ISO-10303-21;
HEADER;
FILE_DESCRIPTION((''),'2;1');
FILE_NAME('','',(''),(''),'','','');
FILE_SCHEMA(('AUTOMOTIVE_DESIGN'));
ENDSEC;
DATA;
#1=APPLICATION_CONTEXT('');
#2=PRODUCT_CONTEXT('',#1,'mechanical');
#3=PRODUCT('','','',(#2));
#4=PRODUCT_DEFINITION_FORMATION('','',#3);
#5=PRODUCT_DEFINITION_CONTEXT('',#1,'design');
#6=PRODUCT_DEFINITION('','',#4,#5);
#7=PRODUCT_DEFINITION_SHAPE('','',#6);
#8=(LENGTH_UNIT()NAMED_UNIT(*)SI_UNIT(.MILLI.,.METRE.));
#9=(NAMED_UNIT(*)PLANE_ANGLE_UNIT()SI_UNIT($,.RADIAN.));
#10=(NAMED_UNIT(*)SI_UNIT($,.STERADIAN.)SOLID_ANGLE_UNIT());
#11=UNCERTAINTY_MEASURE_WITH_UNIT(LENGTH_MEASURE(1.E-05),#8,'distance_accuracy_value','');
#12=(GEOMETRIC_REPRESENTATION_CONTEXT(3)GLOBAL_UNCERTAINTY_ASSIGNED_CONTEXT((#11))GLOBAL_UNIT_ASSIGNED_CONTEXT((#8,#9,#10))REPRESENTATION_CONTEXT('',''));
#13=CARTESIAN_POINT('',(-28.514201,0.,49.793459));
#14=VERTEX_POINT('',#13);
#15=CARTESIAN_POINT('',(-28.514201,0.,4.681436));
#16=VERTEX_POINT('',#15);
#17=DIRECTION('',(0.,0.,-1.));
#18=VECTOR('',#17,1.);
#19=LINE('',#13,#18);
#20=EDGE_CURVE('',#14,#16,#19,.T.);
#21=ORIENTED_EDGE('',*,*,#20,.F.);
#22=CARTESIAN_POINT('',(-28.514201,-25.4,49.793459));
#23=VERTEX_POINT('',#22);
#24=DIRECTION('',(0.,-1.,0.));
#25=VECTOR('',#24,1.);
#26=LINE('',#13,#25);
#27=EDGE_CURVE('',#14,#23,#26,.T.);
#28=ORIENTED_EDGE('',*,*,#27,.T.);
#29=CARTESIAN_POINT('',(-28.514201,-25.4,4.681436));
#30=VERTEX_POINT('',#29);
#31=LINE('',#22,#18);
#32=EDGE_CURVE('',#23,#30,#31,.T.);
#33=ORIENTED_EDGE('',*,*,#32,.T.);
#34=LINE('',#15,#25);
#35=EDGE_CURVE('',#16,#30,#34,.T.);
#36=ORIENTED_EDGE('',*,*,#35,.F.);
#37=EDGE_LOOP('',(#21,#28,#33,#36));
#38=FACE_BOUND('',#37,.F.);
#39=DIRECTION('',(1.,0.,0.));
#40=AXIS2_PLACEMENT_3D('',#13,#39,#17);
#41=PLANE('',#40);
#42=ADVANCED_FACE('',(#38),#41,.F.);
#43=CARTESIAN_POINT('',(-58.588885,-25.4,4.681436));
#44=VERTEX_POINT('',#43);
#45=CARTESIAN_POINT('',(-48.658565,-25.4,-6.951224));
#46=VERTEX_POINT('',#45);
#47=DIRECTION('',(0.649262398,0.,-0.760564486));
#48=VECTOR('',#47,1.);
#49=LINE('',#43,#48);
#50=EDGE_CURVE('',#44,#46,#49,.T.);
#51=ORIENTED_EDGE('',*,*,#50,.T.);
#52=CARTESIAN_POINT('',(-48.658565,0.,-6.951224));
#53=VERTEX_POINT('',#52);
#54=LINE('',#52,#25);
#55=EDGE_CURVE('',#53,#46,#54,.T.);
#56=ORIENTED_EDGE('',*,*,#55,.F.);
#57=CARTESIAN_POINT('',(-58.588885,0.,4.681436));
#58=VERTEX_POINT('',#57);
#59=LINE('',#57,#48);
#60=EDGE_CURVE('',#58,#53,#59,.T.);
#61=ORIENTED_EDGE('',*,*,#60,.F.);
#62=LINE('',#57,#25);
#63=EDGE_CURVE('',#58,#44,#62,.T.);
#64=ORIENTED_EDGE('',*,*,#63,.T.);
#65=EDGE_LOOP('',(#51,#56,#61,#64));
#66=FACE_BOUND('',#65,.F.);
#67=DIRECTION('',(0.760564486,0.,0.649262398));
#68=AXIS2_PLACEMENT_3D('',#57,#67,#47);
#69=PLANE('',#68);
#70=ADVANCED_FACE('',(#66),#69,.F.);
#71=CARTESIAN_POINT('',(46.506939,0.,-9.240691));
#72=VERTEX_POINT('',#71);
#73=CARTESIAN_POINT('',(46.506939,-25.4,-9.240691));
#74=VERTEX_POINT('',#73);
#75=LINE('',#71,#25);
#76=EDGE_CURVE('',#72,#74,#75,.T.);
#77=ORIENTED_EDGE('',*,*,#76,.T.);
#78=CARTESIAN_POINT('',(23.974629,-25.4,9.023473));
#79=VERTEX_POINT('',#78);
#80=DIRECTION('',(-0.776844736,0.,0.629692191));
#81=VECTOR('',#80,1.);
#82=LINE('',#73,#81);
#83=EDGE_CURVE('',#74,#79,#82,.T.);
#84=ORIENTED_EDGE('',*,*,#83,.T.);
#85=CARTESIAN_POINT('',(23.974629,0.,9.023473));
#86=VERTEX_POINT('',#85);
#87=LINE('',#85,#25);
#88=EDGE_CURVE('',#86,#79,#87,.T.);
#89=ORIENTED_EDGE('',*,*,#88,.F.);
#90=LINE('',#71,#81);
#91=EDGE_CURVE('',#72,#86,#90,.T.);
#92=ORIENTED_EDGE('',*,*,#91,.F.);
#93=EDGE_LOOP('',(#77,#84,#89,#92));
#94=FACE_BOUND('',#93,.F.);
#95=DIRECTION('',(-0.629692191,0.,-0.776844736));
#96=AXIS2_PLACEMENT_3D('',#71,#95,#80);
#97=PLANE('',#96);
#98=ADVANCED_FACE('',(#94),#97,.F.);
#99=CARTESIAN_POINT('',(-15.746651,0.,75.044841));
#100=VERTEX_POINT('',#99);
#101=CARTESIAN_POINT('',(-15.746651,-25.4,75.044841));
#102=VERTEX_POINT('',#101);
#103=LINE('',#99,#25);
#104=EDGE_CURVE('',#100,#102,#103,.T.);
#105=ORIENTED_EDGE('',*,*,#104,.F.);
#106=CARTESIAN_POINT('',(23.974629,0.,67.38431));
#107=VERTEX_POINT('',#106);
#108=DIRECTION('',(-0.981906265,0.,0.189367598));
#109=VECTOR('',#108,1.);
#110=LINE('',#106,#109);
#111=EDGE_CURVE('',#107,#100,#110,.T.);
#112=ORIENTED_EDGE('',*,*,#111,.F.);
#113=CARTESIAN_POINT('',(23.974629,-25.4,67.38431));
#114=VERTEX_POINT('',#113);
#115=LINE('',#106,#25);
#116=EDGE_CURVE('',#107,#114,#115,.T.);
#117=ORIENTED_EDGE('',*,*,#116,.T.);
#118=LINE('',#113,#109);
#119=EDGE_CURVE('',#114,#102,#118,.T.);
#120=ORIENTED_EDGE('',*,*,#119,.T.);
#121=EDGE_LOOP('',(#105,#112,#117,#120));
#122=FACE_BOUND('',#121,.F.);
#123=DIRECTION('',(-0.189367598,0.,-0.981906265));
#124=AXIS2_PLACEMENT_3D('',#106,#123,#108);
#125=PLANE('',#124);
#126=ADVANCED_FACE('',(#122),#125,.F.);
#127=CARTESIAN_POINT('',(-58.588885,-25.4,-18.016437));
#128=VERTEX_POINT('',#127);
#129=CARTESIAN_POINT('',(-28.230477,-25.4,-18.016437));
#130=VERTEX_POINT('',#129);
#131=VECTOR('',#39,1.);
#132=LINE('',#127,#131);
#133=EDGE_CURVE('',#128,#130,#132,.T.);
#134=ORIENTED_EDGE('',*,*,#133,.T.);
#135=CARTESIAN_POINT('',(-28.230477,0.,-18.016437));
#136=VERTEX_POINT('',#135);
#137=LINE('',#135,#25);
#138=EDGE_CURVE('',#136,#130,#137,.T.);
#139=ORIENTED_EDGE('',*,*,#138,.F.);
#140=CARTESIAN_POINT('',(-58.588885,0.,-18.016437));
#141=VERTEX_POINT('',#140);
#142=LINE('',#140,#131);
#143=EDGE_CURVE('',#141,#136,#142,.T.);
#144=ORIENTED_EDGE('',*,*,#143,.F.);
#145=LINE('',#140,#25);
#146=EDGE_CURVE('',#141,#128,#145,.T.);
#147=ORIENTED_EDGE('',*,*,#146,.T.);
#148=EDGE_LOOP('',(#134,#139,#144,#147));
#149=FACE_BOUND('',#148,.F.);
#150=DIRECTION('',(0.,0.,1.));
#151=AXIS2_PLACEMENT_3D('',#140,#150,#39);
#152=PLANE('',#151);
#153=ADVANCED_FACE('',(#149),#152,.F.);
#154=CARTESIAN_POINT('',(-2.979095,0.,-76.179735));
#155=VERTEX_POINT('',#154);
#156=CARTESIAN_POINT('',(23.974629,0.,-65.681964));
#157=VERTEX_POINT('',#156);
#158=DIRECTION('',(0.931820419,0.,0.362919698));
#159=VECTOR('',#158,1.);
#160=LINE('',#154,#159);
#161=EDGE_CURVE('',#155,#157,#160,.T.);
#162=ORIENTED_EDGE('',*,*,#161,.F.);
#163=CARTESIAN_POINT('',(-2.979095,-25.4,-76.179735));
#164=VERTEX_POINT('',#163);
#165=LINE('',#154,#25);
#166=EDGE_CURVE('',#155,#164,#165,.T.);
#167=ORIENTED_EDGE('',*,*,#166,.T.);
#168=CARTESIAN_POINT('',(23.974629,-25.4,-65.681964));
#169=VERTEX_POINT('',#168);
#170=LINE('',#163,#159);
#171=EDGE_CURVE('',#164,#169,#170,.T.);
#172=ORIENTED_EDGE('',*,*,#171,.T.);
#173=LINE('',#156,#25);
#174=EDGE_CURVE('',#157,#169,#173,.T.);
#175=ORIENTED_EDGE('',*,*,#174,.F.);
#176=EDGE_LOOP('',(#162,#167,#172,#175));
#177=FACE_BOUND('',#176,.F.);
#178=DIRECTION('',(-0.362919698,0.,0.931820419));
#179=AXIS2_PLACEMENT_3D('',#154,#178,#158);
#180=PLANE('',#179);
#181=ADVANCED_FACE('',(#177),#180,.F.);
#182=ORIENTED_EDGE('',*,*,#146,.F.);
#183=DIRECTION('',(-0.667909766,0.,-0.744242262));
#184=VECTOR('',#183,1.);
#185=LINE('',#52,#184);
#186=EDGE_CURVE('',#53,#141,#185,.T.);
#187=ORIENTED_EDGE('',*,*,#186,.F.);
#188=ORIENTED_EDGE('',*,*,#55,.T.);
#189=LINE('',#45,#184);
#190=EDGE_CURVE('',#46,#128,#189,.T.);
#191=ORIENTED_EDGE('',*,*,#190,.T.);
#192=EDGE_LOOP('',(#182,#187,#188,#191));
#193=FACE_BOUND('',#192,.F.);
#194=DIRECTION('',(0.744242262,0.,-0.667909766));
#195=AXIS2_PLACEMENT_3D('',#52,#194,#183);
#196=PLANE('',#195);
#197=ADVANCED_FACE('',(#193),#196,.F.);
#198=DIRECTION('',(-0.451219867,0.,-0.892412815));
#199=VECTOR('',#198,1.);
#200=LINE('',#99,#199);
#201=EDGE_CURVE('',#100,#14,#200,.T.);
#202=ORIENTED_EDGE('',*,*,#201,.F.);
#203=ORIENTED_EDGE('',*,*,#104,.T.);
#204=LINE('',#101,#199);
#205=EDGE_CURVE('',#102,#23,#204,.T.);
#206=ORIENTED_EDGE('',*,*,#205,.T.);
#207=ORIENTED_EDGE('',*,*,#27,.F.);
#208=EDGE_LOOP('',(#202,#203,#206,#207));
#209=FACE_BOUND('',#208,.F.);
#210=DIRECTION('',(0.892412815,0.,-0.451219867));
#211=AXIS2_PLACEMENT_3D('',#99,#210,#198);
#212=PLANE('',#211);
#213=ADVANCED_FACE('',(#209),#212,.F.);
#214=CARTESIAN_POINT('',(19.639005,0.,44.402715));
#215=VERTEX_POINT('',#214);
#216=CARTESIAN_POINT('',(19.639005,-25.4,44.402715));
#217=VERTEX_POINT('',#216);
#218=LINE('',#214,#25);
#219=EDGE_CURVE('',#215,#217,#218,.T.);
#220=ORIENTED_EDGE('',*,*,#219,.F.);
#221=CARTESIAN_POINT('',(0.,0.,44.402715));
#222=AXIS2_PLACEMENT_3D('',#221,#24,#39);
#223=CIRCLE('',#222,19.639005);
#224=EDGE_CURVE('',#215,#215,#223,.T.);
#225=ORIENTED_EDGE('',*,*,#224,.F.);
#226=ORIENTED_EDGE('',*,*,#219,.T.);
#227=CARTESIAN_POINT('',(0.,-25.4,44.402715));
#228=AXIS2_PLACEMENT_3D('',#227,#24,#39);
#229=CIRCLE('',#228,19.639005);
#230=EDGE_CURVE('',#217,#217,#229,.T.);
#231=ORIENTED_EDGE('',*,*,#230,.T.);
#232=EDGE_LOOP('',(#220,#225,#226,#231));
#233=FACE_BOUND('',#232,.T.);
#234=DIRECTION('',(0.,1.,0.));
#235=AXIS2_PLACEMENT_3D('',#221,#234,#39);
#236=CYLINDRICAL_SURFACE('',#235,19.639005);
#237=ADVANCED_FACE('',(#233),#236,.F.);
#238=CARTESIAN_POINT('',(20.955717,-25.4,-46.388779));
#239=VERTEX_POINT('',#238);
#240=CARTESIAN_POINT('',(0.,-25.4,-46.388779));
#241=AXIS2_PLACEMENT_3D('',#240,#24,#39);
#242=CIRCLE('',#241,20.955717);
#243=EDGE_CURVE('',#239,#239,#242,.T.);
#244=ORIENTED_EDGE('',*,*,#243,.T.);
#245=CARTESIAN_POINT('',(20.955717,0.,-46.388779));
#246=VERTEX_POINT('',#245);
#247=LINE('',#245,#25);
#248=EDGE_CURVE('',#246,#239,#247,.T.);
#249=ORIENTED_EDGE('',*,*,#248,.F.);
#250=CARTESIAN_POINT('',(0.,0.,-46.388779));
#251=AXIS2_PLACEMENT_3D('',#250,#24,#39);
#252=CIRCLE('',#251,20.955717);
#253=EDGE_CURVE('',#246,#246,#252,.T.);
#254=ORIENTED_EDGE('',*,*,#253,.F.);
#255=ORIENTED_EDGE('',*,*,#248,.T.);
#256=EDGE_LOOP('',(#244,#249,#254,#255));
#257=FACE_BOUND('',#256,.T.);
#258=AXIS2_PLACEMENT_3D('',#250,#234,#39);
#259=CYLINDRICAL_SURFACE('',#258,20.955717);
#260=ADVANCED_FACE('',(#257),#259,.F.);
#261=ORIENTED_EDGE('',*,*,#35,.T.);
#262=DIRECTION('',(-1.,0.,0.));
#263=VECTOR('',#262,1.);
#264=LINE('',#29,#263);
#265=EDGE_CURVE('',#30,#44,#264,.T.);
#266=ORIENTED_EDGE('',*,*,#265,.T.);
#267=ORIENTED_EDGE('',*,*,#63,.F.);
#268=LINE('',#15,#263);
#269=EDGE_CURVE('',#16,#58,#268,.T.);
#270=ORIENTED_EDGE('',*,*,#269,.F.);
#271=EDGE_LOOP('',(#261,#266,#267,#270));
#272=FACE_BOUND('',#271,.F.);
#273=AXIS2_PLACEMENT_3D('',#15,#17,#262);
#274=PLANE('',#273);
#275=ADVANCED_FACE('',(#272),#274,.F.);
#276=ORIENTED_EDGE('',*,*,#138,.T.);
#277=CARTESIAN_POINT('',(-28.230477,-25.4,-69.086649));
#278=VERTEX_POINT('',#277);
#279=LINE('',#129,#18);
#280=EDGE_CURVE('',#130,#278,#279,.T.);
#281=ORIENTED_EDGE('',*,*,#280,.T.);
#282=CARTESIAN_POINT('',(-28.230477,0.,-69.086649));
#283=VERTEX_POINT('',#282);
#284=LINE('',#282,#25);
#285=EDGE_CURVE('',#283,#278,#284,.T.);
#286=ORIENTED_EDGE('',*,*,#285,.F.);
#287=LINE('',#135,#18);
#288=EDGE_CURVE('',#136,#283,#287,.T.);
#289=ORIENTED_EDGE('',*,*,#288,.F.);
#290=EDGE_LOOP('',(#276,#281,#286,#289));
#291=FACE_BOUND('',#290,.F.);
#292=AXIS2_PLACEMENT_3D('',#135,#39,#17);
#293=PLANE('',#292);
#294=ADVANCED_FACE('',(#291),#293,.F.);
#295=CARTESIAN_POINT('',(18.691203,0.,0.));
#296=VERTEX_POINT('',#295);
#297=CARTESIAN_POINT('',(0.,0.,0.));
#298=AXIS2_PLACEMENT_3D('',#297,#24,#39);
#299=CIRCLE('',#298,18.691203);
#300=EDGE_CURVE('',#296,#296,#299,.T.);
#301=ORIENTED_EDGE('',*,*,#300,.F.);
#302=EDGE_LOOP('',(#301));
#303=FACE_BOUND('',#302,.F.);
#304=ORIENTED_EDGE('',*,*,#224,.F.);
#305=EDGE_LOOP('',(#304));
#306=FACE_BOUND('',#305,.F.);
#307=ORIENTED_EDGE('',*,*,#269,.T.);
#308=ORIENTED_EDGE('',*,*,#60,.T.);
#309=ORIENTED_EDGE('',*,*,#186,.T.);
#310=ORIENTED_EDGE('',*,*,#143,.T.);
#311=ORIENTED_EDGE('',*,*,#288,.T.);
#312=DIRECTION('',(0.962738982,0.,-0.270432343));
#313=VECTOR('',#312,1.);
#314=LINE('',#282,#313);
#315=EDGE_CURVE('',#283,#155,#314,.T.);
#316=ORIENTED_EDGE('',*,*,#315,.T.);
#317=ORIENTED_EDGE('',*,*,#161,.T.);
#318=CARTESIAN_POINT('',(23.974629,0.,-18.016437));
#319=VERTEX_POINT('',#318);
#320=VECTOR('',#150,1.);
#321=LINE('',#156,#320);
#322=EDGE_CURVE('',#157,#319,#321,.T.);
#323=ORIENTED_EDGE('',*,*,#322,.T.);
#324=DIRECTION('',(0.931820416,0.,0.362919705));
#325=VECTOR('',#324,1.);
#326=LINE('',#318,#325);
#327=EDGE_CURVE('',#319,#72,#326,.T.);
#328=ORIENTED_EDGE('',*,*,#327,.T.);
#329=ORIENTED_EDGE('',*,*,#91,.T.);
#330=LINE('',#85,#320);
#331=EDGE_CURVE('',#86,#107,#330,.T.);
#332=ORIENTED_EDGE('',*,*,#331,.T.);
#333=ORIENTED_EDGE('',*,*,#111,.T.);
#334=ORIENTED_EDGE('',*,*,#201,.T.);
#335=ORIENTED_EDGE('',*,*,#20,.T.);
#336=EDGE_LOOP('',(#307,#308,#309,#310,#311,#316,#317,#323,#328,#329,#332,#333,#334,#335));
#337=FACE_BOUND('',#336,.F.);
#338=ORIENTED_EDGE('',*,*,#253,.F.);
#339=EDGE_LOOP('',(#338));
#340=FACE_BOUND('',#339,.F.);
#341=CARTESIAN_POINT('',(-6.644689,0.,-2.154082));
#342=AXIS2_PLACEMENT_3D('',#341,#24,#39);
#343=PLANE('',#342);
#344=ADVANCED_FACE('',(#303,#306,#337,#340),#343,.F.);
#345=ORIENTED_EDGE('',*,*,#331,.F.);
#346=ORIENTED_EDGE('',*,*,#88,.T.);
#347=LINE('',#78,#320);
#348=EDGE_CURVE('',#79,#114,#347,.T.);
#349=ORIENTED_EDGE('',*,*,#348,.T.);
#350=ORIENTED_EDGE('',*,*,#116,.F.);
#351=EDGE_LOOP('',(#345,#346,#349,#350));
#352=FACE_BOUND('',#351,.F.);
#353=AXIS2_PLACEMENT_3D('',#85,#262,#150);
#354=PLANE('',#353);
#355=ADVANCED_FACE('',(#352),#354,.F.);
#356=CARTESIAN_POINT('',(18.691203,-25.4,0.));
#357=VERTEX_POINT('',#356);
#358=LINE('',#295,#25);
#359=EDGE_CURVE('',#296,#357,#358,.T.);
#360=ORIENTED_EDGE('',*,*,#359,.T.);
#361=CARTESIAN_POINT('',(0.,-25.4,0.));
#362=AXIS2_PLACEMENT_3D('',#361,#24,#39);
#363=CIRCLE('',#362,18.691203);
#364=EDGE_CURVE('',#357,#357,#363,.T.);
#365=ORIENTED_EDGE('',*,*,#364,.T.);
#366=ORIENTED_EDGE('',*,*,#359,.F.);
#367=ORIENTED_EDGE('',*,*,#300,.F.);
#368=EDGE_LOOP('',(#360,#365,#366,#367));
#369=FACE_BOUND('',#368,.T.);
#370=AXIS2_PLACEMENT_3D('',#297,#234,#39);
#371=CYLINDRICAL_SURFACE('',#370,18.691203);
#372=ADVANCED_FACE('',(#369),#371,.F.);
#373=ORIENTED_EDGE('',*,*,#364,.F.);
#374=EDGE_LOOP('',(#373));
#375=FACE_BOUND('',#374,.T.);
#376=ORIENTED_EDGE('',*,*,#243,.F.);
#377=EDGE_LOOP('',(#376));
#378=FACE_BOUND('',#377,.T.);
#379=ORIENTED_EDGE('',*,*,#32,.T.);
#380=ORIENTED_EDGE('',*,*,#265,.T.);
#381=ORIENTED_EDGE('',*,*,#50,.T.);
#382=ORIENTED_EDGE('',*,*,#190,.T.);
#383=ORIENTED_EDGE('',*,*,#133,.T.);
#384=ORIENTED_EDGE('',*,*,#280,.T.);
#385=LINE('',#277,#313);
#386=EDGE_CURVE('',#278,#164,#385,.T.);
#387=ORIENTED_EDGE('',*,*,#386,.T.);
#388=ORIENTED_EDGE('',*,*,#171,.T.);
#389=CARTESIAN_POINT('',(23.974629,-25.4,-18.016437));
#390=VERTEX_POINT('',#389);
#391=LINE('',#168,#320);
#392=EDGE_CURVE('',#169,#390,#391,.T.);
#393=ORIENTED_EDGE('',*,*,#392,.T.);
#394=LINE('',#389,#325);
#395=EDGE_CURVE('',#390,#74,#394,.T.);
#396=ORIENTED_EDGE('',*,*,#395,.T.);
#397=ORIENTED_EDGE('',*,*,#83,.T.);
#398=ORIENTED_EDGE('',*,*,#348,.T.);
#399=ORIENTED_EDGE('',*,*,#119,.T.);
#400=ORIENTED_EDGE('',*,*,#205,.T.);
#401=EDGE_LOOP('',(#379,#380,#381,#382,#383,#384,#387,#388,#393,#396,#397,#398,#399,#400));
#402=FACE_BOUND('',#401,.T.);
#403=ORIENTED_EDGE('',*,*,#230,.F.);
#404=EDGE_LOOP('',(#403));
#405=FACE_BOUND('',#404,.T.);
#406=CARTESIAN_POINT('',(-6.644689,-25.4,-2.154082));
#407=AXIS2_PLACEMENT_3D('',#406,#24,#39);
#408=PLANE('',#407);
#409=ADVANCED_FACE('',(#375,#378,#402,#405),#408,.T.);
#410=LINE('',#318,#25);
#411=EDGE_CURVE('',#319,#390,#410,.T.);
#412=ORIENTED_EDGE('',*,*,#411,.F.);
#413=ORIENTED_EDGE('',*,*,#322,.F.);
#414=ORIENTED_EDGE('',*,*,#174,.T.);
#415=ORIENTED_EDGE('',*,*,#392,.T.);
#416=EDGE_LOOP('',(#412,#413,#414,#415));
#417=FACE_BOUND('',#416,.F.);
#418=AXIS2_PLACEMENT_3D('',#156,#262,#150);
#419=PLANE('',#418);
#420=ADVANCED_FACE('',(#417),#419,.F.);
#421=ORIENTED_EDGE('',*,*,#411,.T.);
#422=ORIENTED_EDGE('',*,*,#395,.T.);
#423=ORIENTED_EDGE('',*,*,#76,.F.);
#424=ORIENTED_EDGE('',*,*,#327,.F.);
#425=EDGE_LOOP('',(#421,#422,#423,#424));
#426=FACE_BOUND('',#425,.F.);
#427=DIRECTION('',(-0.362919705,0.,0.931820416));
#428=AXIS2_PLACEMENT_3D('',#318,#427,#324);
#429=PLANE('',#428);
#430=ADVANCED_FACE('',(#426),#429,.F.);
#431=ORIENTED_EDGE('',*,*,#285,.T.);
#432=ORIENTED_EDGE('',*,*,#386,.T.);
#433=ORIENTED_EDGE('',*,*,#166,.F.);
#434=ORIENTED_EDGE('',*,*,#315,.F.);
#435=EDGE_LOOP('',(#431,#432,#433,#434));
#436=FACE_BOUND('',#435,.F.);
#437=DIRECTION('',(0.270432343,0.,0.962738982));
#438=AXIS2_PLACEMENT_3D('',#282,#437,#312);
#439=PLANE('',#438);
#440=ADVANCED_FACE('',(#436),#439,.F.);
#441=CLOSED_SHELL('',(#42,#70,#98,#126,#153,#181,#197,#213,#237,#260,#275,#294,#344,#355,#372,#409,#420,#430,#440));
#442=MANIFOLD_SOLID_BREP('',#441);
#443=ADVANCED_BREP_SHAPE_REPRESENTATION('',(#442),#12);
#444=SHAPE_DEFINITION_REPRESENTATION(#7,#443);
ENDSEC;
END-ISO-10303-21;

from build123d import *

# Parameters (mm, degrees)
F0_R     = 20.955717
F0_R_2   = 18.691203
F0_R_3   = 19.639005
F1_DEPTH = 25.4


with BuildPart() as f1:
    # F0 (on Front) → F1 (new body)
    with BuildSketch(Plane.XZ):
        Polygon((-15.746651, 75.044841), (-28.514201, 49.793459), (-28.514201, 19.435054), (-28.514201, 4.681436), (-38.728245, 4.681436), (-58.588885, 4.681436), (-48.658565, -6.951224), (-58.588885, -18.016437), (-38.728245, -18.016437), (-28.230477, -18.016437), (-28.230477, -69.086649), (-2.979095, -76.179735), (23.974629, -65.681964), (23.974629, -18.016437), (46.506939, -9.240691), (23.974629, 9.023473), (23.974629, 45.53761), (23.974629, 64.830795), (23.974629, 67.38431), align=None)
        with Locations((0, -46.388779)):
            Circle(F0_R, mode=Mode.SUBTRACT)
        Circle(F0_R_2, mode=Mode.SUBTRACT)
        with Locations((0, 44.402715)):
            Circle(F0_R_3, mode=Mode.SUBTRACT)
    extrude(amount=F1_DEPTH)


solid = f1.part
